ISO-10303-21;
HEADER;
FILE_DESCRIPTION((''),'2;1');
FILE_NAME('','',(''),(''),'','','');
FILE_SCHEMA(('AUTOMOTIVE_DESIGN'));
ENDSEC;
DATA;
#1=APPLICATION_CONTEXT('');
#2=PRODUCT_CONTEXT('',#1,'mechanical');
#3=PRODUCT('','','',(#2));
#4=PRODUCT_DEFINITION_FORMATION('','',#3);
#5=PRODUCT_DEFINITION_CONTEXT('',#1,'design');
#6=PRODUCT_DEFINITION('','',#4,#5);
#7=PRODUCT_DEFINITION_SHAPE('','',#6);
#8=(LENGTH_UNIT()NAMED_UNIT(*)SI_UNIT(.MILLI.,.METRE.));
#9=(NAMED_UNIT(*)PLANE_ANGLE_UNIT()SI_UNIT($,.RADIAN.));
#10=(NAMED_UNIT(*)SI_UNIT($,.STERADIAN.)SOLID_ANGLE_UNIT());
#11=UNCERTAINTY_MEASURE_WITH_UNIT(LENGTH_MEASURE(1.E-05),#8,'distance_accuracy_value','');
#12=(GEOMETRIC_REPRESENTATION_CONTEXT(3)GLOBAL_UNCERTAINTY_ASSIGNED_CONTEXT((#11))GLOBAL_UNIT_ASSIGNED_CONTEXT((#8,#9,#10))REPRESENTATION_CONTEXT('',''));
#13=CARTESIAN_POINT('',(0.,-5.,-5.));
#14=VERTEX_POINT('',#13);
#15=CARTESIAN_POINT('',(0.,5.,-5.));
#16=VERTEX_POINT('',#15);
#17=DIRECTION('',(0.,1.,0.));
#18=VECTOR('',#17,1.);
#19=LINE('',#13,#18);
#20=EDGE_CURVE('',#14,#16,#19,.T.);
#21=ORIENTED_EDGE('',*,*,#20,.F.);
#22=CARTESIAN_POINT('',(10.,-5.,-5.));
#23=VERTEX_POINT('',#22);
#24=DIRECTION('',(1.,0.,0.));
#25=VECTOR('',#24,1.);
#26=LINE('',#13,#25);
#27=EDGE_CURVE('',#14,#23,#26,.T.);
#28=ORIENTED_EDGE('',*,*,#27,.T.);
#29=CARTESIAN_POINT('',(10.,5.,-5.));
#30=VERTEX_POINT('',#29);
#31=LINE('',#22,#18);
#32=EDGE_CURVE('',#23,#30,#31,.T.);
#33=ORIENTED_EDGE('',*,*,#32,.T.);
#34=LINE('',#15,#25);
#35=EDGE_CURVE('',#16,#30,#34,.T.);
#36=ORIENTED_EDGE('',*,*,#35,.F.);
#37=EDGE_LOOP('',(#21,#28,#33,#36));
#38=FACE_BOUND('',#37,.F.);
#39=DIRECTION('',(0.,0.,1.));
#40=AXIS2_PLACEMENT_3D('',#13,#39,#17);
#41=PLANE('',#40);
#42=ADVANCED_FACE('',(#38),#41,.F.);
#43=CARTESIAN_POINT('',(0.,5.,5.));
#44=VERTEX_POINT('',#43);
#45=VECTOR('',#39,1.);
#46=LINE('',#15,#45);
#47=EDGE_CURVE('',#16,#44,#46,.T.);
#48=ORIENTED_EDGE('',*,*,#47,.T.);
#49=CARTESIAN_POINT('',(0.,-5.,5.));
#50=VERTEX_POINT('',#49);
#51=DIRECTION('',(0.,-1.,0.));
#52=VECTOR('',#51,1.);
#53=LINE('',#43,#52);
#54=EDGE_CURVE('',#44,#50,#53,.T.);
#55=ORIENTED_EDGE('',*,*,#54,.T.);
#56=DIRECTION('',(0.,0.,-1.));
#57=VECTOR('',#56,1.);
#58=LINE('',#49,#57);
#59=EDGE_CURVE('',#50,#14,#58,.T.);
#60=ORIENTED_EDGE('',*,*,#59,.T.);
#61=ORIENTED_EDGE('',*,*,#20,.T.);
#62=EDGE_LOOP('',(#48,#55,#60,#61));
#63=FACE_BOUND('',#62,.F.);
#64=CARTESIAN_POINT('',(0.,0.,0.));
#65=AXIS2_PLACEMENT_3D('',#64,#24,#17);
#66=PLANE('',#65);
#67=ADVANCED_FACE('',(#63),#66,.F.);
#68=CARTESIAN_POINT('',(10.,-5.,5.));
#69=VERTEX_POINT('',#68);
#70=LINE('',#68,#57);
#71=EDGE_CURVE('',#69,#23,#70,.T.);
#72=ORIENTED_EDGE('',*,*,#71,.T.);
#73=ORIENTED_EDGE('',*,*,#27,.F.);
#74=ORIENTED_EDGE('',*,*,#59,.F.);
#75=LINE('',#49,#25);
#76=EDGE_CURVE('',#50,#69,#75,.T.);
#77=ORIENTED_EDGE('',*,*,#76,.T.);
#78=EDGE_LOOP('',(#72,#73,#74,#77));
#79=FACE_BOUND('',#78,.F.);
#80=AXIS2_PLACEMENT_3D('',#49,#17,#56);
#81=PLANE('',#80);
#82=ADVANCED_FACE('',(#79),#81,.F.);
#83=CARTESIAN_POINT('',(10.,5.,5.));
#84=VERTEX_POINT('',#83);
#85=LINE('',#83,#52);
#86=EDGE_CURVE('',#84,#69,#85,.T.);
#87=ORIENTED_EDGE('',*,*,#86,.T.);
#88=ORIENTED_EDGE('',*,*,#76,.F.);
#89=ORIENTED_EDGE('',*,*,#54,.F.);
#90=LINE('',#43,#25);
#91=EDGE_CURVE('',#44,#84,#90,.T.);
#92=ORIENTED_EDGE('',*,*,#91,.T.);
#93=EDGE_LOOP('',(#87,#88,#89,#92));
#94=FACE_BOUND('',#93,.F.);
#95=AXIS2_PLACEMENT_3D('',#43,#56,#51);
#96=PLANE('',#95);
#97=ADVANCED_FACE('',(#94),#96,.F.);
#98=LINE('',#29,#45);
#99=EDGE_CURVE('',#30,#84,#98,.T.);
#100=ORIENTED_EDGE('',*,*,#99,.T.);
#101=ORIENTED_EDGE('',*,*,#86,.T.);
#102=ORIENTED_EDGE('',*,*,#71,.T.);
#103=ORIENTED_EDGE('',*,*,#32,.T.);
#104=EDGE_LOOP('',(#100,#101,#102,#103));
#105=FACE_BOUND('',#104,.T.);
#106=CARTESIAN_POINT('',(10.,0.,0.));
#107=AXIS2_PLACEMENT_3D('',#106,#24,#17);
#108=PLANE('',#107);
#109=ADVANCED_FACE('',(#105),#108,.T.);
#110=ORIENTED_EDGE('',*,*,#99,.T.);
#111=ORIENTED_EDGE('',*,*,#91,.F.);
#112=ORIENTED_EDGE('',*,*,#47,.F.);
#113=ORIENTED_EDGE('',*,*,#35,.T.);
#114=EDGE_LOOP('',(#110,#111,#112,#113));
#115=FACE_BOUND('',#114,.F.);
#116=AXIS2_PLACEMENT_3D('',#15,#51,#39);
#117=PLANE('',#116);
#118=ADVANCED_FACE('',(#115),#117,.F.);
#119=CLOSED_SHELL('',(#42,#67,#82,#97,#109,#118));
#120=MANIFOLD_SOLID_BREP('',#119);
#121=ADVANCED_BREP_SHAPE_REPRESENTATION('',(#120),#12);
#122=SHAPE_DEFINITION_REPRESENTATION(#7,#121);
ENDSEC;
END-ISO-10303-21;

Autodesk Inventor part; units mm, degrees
ref_plane "YZ Plane" through (0, 0, 0) normal (1, 0, 0) x (0, 1, 0)
ref_plane "XZ Plane" through (0, 0, 0) normal (0, 1, 0) x (-1, 0, 0)
ref_plane "XY Plane" through (0, 0, 0) normal (0, 0, 1) x (1, 0, 0)
sketch "Sketch3" plane through (0, 0, 0) normal (1, 0, 0) x (0, 1, 0)
  line L0 (-5, -5) -> (5, -5)
  line L1 (5, -5) -> (5, 5)
  line L2 (5, 5) -> (-5, 5)
  line L3 (-5, 5) -> (-5, -5)
  line L4 (-5, -5) -> (5, 5) construction
  line L5 (5, -5) -> (-5, 5) construction
  point P0 (0, 0)
  dimension "D" = 10
  dimension "B" = 10
extrude "Extrusion2" add sketch "Sketch3" along normal blind 10
equation "\"B\" = b"
equation "\"d6\" = h_h"
equation "\"b\" = 10"
equation "\"h_h\" = 10"
properties part number "tests1"
